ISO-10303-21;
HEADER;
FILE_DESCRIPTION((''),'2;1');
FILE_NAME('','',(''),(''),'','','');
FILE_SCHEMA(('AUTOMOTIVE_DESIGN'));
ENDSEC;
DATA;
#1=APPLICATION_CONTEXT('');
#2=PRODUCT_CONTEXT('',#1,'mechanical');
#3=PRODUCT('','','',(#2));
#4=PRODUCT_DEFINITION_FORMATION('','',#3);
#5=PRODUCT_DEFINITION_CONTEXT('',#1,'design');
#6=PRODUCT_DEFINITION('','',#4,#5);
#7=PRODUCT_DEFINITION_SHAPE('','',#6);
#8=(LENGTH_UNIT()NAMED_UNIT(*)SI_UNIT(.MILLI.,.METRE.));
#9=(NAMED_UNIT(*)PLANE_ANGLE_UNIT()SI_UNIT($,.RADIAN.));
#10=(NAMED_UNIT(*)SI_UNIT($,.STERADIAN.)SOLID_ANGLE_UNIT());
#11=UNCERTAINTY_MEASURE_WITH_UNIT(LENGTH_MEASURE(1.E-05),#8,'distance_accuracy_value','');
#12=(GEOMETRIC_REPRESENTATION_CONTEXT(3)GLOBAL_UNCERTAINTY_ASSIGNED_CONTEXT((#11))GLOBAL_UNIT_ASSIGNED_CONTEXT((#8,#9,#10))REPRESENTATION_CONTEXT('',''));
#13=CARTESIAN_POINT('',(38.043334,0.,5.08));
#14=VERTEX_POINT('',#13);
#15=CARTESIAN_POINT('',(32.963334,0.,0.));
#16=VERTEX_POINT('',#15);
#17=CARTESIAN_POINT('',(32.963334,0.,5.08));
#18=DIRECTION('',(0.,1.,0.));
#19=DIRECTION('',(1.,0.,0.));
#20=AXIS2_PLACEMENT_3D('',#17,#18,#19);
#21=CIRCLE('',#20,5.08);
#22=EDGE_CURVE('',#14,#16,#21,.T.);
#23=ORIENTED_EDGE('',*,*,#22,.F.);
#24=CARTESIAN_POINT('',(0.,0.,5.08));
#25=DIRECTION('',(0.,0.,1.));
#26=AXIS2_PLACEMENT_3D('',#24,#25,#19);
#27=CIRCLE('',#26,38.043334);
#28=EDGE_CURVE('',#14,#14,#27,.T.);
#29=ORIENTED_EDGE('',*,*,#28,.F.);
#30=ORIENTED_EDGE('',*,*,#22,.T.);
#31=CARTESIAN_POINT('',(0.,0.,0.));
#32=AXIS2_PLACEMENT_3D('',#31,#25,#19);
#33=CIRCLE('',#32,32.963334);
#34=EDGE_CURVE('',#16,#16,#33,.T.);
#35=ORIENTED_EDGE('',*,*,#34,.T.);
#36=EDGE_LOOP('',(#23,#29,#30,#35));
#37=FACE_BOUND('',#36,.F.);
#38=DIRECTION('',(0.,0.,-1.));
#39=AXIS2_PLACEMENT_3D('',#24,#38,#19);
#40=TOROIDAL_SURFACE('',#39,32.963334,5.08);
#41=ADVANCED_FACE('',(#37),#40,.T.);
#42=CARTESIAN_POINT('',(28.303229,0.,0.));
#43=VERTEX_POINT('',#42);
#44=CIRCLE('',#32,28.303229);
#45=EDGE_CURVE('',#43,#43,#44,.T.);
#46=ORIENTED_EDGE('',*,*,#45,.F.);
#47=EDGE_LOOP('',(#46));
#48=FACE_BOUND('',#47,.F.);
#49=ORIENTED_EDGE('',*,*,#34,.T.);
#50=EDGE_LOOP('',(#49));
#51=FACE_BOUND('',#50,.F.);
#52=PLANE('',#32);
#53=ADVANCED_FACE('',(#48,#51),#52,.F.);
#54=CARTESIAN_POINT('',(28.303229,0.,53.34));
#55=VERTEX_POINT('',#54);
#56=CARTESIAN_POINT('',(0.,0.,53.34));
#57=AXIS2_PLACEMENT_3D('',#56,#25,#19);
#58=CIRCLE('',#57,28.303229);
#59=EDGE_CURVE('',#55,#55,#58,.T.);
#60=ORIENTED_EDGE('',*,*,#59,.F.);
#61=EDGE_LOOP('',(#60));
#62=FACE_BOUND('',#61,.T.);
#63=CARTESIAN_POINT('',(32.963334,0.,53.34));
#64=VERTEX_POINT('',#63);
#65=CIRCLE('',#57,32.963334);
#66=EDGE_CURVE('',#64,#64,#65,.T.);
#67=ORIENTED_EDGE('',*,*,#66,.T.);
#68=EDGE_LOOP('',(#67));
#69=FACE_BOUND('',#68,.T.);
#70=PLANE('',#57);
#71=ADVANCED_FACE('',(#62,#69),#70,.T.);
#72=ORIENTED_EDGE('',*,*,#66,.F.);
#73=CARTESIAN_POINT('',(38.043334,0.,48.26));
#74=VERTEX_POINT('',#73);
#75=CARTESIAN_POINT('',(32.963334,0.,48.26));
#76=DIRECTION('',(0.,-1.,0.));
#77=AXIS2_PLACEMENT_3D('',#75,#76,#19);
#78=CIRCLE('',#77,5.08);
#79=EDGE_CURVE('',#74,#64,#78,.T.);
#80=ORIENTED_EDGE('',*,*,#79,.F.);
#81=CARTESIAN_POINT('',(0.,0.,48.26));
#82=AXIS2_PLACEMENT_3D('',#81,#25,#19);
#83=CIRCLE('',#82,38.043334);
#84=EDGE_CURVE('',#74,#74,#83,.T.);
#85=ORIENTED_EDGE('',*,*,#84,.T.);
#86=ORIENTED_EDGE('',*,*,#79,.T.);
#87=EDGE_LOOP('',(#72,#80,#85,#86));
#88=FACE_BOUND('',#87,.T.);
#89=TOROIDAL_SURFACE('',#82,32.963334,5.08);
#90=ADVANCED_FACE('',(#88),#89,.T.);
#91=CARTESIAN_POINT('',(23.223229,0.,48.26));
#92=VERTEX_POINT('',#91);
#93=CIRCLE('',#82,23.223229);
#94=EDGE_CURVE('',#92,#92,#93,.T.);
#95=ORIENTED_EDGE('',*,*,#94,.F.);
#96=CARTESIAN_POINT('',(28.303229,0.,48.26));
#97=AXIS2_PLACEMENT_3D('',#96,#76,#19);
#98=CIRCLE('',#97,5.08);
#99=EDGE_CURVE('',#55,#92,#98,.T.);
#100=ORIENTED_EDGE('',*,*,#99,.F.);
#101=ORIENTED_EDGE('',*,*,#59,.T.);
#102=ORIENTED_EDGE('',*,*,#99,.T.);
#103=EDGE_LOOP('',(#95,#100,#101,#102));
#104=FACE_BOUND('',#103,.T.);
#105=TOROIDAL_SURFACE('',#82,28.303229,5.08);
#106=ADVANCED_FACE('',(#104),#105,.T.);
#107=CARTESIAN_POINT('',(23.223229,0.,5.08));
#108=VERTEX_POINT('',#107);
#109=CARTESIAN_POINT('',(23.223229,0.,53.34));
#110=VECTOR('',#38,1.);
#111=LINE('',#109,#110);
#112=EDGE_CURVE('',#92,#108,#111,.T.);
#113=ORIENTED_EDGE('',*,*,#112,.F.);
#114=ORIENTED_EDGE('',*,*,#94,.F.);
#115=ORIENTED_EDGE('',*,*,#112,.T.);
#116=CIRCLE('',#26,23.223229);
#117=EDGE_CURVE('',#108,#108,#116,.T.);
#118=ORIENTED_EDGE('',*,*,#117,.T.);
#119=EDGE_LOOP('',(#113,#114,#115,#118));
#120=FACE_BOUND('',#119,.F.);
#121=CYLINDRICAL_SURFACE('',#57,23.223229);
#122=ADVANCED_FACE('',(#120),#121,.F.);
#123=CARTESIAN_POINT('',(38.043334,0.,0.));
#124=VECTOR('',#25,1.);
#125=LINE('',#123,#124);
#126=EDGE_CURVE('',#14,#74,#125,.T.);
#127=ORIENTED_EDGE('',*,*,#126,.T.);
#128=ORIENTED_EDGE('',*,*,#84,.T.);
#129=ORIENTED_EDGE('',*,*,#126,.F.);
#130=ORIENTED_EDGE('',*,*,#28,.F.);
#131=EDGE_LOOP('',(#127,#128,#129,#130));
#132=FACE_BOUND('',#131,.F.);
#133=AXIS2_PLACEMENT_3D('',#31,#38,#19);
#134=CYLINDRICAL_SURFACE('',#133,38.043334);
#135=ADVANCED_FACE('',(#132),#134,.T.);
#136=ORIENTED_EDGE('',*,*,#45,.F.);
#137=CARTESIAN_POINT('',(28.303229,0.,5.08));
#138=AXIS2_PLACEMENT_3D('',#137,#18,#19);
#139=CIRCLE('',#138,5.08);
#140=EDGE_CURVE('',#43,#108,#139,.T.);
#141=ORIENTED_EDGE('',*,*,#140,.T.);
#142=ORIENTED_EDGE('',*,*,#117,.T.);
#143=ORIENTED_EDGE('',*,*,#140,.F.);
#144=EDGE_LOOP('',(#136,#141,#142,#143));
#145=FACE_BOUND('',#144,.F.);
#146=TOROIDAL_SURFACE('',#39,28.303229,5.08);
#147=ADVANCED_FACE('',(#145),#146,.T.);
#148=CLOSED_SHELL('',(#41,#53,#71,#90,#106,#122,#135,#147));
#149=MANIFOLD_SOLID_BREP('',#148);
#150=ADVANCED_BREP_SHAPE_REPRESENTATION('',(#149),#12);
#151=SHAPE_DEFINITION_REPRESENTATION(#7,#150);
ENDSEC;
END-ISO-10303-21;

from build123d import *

# Parameters (mm, degrees)
F0_R     = 38.043334
F1_DEPTH = 53.34
F2_R     = 23.223229
F3_DEPTH = 53.34
F4_R     = 5.08


with BuildPart() as f1:
    # F0 (on Top) → F1 (new body)
    with BuildSketch(Plane.XY):
        Circle(F0_R)
    extrude(amount=F1_DEPTH)

    # F2 (on face) → F3 (cut, through all)
    with BuildSketch(Plane.XY.offset(53.34)):
        Circle(F2_R)
    extrude(amount=-F3_DEPTH, mode=Mode.SUBTRACT)

    # F4
    f4_edges = [f1.edges().sort_by_distance(p)[0] for p in [
        (-38.043334, 0, 53.34),
        (-23.223229, 0, 53.34),
        (-38.043334, 0, 0),
        (-23.223229, 0, 0),
    ]]
    fillet(f4_edges, radius=F4_R)


solid = f1.part
